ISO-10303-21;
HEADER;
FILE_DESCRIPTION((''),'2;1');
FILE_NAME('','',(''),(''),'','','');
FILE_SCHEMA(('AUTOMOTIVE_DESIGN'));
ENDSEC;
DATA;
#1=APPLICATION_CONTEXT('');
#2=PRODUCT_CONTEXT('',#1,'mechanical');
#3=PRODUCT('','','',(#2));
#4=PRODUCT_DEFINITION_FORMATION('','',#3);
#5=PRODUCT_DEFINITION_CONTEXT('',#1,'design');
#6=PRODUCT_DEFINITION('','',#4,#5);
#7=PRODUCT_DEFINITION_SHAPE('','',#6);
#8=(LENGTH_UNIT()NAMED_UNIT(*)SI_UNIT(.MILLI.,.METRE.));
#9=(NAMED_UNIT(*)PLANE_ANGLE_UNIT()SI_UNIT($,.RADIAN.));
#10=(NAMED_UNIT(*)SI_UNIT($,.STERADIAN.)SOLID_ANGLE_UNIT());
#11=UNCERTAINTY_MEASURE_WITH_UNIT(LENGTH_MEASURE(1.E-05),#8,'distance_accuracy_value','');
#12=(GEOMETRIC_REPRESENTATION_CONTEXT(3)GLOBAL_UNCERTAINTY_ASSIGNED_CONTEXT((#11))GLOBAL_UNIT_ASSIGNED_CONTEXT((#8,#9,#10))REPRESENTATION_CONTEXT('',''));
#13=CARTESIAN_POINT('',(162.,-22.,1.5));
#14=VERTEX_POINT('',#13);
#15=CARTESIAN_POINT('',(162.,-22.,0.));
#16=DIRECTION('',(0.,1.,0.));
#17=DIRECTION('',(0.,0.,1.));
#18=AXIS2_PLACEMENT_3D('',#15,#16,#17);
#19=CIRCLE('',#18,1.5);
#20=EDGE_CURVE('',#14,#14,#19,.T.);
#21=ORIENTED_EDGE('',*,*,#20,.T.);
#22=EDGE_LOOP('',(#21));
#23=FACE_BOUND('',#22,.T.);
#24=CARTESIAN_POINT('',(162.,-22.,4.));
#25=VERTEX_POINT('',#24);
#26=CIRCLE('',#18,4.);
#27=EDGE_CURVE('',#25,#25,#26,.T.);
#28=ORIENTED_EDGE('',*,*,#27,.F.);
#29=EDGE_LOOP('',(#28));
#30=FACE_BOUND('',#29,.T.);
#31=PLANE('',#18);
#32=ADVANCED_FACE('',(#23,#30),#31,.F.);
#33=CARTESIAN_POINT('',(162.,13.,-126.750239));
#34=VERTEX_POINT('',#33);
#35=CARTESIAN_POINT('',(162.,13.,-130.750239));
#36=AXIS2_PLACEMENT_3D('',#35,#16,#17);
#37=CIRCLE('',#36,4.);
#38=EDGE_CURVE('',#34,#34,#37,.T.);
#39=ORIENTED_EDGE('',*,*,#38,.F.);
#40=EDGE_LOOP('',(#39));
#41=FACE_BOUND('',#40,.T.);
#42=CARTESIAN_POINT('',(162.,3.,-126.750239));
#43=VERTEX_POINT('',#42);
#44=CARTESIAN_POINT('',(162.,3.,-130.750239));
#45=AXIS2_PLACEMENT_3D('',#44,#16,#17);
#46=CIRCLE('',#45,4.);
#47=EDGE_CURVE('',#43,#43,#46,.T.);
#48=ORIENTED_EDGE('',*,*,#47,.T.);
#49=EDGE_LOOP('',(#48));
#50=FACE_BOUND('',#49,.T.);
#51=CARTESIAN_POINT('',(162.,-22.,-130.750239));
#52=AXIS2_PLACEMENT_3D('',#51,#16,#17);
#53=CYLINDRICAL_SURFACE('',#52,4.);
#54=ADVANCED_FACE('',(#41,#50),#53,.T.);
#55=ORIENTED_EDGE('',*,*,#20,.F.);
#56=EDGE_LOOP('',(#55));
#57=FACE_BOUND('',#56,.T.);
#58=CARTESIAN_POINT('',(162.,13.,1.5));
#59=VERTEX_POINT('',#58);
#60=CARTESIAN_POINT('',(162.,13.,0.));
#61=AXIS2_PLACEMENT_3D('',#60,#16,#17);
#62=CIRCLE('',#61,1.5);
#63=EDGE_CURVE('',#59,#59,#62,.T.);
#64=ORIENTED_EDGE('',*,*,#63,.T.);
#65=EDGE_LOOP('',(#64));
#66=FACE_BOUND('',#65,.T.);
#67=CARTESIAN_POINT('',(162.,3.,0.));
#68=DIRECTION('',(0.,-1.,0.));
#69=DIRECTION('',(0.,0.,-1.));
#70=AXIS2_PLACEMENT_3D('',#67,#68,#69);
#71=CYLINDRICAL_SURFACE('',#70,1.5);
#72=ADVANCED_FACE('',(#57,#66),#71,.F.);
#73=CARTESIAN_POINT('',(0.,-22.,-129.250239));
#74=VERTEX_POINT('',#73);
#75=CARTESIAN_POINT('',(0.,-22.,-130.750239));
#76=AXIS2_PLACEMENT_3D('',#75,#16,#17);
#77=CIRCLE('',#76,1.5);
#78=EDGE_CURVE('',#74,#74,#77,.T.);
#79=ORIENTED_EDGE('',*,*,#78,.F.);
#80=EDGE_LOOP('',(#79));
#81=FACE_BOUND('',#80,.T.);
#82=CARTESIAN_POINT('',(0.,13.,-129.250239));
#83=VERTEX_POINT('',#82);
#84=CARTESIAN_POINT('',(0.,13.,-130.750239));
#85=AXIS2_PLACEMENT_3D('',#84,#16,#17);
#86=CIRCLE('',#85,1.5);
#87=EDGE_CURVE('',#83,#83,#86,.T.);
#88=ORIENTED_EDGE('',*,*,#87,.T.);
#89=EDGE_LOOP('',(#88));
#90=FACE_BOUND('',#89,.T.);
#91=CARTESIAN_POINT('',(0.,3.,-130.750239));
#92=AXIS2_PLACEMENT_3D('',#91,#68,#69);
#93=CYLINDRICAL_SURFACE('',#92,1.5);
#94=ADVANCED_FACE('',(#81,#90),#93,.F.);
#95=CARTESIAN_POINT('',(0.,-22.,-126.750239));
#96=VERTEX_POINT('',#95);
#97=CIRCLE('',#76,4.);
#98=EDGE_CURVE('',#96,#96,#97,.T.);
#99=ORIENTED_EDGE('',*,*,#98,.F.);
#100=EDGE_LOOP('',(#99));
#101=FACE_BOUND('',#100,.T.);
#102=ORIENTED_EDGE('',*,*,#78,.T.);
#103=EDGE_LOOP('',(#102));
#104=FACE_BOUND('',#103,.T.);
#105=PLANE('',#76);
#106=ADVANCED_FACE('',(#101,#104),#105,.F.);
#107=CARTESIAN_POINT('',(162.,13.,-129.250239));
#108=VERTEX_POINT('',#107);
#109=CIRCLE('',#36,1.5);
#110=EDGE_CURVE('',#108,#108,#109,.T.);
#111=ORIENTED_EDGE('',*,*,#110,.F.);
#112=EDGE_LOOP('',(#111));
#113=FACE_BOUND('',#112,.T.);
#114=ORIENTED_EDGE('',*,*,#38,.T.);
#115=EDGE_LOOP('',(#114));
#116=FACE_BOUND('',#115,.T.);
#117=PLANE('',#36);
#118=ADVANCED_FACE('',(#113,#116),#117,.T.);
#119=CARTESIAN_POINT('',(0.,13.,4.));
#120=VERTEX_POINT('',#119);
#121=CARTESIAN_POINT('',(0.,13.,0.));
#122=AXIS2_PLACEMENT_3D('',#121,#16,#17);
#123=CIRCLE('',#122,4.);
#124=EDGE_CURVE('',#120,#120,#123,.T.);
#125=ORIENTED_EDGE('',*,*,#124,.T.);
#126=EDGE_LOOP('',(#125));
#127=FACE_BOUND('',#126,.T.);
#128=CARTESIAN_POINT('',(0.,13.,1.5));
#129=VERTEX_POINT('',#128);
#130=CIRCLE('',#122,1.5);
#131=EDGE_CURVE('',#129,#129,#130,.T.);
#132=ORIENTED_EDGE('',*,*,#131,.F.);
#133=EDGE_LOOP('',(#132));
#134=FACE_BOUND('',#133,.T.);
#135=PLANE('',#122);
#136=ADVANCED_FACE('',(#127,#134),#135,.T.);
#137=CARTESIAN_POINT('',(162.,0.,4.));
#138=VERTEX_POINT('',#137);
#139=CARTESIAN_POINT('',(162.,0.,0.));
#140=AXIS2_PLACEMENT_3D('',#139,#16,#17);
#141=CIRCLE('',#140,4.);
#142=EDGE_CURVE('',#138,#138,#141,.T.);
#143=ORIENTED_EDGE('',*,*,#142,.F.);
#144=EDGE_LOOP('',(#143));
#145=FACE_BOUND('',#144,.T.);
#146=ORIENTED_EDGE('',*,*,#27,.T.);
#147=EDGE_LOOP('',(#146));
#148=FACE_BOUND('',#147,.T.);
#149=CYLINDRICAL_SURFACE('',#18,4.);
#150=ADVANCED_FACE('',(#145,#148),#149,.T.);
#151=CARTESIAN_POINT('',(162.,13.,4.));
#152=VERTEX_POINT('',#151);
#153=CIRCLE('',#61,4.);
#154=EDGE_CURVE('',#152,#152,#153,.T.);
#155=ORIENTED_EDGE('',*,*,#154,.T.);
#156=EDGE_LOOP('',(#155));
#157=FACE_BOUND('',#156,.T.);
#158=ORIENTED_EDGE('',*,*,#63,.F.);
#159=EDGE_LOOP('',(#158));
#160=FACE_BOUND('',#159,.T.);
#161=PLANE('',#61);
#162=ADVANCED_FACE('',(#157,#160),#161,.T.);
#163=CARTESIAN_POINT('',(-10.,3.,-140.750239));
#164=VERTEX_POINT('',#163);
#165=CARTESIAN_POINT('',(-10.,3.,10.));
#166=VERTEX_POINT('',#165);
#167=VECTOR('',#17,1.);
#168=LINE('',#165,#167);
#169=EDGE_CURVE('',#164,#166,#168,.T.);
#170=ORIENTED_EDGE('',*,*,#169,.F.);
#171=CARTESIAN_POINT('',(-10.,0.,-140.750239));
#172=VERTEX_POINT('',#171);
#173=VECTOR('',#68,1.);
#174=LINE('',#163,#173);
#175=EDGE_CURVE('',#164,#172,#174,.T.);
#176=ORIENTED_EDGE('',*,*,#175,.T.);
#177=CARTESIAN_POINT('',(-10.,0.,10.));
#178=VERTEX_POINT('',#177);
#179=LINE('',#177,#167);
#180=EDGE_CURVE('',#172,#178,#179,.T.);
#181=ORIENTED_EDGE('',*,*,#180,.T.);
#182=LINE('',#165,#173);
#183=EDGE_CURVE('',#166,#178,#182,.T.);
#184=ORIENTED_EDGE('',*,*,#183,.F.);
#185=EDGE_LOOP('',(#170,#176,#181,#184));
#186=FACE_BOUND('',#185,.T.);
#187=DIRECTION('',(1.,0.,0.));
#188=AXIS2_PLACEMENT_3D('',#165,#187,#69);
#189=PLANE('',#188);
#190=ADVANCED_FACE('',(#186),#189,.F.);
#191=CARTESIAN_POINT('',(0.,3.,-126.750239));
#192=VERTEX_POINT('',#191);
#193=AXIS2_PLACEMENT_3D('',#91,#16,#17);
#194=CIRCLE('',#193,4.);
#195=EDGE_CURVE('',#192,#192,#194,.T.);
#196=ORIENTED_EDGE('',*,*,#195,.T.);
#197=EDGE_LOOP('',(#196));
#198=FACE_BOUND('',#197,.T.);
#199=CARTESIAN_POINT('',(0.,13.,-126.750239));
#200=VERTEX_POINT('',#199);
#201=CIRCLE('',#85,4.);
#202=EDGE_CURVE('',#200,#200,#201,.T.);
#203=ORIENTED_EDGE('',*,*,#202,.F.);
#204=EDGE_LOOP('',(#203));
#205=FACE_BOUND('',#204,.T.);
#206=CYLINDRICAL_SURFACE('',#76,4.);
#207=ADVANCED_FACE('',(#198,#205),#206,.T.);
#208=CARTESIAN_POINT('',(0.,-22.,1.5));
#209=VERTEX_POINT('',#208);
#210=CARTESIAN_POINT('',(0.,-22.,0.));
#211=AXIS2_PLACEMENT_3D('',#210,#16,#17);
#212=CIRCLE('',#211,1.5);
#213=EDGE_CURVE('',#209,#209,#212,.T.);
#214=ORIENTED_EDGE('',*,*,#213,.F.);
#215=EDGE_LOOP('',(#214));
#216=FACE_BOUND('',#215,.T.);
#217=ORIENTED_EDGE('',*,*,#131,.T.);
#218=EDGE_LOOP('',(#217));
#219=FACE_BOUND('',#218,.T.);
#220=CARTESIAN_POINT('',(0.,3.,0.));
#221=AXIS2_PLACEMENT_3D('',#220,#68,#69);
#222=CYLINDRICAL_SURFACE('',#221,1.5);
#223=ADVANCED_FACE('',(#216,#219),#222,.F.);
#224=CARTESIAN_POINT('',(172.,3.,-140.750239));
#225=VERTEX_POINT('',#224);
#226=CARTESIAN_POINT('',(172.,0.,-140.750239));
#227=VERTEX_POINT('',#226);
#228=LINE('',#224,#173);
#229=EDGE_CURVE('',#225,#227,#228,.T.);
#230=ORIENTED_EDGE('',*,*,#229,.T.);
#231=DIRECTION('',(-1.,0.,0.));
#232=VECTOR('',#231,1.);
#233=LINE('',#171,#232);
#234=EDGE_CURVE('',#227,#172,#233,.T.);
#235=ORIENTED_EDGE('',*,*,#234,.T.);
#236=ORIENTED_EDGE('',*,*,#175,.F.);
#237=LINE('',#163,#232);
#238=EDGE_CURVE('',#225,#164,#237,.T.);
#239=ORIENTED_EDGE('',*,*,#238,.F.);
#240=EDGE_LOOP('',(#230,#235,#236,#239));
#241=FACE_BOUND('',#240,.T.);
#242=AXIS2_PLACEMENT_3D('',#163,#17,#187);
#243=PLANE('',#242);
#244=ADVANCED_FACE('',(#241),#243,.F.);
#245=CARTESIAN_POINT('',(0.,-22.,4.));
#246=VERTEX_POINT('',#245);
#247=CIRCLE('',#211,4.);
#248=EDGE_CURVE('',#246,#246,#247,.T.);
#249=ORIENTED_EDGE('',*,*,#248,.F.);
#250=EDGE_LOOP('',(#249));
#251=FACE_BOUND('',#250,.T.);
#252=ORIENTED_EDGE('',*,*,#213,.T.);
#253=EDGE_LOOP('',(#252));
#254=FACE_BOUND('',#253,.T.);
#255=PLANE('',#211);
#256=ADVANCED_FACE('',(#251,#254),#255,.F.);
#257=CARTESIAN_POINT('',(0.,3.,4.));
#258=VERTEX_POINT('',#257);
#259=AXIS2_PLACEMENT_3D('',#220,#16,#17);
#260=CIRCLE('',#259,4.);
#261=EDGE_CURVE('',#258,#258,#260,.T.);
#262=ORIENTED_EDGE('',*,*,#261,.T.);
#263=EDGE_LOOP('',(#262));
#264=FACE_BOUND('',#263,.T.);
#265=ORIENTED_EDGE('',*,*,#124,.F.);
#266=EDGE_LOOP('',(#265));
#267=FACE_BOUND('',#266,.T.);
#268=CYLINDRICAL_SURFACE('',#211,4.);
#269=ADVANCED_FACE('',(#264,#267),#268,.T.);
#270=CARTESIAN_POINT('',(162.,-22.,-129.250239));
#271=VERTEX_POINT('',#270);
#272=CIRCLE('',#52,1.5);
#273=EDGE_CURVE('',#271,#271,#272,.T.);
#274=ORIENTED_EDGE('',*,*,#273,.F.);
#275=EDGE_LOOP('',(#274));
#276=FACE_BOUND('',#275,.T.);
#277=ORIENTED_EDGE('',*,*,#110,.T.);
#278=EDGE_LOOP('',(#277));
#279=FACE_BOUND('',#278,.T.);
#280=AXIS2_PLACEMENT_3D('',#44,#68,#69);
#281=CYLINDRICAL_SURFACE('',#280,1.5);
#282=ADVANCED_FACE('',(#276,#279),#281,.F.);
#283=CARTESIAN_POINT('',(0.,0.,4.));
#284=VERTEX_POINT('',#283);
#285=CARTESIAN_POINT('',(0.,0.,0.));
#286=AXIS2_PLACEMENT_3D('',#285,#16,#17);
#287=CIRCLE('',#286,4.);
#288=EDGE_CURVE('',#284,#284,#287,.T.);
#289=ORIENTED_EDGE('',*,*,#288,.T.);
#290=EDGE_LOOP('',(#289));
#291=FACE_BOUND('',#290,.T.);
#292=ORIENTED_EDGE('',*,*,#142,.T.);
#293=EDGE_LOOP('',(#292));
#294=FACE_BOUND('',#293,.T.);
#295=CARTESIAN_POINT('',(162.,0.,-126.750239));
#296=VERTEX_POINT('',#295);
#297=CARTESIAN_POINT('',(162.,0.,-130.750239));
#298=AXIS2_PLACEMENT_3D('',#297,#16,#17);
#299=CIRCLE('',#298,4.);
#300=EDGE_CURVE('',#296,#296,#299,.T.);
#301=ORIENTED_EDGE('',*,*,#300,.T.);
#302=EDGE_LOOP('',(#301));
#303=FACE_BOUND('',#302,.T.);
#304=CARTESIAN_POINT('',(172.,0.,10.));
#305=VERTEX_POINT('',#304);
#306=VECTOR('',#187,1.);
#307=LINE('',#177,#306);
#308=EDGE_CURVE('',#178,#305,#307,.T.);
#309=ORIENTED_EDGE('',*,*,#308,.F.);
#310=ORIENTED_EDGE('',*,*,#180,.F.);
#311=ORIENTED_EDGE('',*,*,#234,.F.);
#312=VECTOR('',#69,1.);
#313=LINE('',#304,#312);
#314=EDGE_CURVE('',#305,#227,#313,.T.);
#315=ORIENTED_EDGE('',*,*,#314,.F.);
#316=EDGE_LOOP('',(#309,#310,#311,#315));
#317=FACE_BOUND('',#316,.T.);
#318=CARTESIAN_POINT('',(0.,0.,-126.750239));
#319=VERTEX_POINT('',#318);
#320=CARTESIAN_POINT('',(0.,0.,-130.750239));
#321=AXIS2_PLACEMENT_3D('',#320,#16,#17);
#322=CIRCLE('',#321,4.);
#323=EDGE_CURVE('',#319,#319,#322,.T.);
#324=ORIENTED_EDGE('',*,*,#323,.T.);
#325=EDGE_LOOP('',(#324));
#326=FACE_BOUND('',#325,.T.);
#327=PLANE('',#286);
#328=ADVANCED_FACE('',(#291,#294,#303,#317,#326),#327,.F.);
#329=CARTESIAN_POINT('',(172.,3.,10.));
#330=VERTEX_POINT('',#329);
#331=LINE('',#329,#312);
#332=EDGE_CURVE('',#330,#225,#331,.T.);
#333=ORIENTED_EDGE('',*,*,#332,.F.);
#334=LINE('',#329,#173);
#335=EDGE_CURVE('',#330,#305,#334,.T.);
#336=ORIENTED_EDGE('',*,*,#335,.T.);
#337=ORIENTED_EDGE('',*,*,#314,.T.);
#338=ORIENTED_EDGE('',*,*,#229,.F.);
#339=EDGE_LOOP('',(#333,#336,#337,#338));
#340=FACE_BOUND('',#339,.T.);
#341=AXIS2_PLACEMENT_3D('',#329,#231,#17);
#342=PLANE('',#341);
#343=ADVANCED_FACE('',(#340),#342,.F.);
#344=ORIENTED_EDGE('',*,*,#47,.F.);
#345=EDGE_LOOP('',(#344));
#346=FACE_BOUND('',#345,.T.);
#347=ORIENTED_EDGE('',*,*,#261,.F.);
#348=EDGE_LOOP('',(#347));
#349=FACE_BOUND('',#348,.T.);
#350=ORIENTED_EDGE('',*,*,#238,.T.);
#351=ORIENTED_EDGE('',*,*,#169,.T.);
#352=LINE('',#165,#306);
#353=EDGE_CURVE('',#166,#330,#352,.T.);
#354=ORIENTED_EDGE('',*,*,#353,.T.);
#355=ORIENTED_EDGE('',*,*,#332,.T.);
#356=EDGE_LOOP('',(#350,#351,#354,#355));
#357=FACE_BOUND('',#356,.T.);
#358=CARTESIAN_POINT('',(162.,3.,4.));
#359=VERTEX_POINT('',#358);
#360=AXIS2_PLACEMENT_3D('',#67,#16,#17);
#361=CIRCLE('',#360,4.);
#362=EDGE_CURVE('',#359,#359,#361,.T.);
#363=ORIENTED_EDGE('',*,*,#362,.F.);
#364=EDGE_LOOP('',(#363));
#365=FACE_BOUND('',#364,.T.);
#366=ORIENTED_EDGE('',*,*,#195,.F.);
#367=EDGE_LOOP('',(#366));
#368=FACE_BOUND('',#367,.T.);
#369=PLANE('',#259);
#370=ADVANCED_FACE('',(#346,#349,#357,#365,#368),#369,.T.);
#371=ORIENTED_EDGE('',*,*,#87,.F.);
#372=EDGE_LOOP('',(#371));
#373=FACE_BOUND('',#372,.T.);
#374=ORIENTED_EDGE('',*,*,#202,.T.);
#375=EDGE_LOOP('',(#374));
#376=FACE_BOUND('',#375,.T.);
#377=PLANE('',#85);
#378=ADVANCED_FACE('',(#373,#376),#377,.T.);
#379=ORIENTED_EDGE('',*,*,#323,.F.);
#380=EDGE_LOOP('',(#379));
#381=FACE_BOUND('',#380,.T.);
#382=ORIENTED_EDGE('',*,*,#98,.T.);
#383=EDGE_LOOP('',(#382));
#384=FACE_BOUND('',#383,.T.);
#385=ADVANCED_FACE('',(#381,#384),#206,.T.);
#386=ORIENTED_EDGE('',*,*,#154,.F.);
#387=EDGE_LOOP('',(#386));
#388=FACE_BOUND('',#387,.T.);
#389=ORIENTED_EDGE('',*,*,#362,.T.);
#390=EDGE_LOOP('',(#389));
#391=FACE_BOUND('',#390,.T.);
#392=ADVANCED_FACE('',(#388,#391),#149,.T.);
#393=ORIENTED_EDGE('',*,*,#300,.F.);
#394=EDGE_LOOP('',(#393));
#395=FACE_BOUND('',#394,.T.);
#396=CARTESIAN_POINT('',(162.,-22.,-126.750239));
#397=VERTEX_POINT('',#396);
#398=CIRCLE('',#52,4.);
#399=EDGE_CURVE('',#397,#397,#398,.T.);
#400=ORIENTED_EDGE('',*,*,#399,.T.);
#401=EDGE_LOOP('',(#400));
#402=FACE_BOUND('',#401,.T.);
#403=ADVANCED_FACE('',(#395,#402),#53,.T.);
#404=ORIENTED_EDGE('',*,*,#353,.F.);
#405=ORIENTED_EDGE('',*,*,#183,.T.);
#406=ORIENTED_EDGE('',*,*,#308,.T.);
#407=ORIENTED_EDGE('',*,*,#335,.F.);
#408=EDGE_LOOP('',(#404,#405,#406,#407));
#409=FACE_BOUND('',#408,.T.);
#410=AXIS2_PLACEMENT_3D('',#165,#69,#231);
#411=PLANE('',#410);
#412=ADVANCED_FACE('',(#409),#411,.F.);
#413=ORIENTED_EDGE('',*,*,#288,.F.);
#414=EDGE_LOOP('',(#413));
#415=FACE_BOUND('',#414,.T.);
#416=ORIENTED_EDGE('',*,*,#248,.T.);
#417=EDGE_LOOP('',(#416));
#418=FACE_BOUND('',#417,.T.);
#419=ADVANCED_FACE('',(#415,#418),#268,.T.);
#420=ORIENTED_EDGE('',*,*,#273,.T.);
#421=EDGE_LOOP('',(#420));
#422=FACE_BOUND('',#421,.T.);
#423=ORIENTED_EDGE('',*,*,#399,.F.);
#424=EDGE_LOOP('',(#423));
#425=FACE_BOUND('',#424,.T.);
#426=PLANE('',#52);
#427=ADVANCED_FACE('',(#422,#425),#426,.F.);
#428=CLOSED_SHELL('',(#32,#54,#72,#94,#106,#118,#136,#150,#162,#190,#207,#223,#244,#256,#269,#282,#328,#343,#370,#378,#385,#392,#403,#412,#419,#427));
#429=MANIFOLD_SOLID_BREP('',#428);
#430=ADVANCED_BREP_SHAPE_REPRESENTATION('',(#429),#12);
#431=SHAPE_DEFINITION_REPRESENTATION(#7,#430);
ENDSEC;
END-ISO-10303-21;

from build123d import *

# Parameters (mm, degrees)
SKETCH1_W                = 182
SKETCH1_H                = 150.75023901
SKETCH1_R                = 1.5
BOSS_EXTRUDE1_DEPTH      = 3
SKETCH2_R                = 4
SKETCH2_R_2              = 1.5
BOSS_EXTRUDE2_DEPTH      = 10
BOSS_EXTRUDE2_DEPTH_BACK = 25


with BuildPart() as part:
    # Sketch1 → Boss-Extrude1 (new body)
    with BuildSketch(Plane(origin=(0, 0, 0), x_dir=(1, 0, 0), z_dir=(0, 1, 0))):
        with Locations((81, 65.375119505)):
            Rectangle(SKETCH1_W, SKETCH1_H)
        with Locations((0, 130.75023901)):
            Circle(SKETCH1_R, mode=Mode.SUBTRACT)
        with Locations((162, 130.75023901)):
            Circle(SKETCH1_R, mode=Mode.SUBTRACT)
        with Locations((162, 0)):
            Circle(SKETCH1_R, mode=Mode.SUBTRACT)
        Circle(SKETCH1_R, mode=Mode.SUBTRACT)
    extrude(amount=BOSS_EXTRUDE1_DEPTH)

    # Sketch2 → Boss-Extrude2 (add, two sides)
    with BuildSketch(Plane(origin=(0, 3, 0), x_dir=(1, 0, 0), z_dir=(0, 1, 0))) as boss_extrude2_sk:
        with Locations((0, 130.75023901)):
            Circle(SKETCH2_R)
        with Locations((0, 130.75023901)):
            Circle(SKETCH2_R_2, mode=Mode.SUBTRACT)
        with Locations((162, 130.75023901)):
            Circle(SKETCH2_R)
        with Locations((162, 130.75023901)):
            Circle(SKETCH2_R_2, mode=Mode.SUBTRACT)
        with Locations((162, 0)):
            Circle(SKETCH2_R)
        with Locations((162, 0)):
            Circle(SKETCH2_R_2, mode=Mode.SUBTRACT)
        Circle(SKETCH2_R)
        Circle(SKETCH2_R_2, mode=Mode.SUBTRACT)
    extrude(amount=BOSS_EXTRUDE2_DEPTH)
    extrude(boss_extrude2_sk.sketch, amount=-BOSS_EXTRUDE2_DEPTH_BACK)


solid = part.part
